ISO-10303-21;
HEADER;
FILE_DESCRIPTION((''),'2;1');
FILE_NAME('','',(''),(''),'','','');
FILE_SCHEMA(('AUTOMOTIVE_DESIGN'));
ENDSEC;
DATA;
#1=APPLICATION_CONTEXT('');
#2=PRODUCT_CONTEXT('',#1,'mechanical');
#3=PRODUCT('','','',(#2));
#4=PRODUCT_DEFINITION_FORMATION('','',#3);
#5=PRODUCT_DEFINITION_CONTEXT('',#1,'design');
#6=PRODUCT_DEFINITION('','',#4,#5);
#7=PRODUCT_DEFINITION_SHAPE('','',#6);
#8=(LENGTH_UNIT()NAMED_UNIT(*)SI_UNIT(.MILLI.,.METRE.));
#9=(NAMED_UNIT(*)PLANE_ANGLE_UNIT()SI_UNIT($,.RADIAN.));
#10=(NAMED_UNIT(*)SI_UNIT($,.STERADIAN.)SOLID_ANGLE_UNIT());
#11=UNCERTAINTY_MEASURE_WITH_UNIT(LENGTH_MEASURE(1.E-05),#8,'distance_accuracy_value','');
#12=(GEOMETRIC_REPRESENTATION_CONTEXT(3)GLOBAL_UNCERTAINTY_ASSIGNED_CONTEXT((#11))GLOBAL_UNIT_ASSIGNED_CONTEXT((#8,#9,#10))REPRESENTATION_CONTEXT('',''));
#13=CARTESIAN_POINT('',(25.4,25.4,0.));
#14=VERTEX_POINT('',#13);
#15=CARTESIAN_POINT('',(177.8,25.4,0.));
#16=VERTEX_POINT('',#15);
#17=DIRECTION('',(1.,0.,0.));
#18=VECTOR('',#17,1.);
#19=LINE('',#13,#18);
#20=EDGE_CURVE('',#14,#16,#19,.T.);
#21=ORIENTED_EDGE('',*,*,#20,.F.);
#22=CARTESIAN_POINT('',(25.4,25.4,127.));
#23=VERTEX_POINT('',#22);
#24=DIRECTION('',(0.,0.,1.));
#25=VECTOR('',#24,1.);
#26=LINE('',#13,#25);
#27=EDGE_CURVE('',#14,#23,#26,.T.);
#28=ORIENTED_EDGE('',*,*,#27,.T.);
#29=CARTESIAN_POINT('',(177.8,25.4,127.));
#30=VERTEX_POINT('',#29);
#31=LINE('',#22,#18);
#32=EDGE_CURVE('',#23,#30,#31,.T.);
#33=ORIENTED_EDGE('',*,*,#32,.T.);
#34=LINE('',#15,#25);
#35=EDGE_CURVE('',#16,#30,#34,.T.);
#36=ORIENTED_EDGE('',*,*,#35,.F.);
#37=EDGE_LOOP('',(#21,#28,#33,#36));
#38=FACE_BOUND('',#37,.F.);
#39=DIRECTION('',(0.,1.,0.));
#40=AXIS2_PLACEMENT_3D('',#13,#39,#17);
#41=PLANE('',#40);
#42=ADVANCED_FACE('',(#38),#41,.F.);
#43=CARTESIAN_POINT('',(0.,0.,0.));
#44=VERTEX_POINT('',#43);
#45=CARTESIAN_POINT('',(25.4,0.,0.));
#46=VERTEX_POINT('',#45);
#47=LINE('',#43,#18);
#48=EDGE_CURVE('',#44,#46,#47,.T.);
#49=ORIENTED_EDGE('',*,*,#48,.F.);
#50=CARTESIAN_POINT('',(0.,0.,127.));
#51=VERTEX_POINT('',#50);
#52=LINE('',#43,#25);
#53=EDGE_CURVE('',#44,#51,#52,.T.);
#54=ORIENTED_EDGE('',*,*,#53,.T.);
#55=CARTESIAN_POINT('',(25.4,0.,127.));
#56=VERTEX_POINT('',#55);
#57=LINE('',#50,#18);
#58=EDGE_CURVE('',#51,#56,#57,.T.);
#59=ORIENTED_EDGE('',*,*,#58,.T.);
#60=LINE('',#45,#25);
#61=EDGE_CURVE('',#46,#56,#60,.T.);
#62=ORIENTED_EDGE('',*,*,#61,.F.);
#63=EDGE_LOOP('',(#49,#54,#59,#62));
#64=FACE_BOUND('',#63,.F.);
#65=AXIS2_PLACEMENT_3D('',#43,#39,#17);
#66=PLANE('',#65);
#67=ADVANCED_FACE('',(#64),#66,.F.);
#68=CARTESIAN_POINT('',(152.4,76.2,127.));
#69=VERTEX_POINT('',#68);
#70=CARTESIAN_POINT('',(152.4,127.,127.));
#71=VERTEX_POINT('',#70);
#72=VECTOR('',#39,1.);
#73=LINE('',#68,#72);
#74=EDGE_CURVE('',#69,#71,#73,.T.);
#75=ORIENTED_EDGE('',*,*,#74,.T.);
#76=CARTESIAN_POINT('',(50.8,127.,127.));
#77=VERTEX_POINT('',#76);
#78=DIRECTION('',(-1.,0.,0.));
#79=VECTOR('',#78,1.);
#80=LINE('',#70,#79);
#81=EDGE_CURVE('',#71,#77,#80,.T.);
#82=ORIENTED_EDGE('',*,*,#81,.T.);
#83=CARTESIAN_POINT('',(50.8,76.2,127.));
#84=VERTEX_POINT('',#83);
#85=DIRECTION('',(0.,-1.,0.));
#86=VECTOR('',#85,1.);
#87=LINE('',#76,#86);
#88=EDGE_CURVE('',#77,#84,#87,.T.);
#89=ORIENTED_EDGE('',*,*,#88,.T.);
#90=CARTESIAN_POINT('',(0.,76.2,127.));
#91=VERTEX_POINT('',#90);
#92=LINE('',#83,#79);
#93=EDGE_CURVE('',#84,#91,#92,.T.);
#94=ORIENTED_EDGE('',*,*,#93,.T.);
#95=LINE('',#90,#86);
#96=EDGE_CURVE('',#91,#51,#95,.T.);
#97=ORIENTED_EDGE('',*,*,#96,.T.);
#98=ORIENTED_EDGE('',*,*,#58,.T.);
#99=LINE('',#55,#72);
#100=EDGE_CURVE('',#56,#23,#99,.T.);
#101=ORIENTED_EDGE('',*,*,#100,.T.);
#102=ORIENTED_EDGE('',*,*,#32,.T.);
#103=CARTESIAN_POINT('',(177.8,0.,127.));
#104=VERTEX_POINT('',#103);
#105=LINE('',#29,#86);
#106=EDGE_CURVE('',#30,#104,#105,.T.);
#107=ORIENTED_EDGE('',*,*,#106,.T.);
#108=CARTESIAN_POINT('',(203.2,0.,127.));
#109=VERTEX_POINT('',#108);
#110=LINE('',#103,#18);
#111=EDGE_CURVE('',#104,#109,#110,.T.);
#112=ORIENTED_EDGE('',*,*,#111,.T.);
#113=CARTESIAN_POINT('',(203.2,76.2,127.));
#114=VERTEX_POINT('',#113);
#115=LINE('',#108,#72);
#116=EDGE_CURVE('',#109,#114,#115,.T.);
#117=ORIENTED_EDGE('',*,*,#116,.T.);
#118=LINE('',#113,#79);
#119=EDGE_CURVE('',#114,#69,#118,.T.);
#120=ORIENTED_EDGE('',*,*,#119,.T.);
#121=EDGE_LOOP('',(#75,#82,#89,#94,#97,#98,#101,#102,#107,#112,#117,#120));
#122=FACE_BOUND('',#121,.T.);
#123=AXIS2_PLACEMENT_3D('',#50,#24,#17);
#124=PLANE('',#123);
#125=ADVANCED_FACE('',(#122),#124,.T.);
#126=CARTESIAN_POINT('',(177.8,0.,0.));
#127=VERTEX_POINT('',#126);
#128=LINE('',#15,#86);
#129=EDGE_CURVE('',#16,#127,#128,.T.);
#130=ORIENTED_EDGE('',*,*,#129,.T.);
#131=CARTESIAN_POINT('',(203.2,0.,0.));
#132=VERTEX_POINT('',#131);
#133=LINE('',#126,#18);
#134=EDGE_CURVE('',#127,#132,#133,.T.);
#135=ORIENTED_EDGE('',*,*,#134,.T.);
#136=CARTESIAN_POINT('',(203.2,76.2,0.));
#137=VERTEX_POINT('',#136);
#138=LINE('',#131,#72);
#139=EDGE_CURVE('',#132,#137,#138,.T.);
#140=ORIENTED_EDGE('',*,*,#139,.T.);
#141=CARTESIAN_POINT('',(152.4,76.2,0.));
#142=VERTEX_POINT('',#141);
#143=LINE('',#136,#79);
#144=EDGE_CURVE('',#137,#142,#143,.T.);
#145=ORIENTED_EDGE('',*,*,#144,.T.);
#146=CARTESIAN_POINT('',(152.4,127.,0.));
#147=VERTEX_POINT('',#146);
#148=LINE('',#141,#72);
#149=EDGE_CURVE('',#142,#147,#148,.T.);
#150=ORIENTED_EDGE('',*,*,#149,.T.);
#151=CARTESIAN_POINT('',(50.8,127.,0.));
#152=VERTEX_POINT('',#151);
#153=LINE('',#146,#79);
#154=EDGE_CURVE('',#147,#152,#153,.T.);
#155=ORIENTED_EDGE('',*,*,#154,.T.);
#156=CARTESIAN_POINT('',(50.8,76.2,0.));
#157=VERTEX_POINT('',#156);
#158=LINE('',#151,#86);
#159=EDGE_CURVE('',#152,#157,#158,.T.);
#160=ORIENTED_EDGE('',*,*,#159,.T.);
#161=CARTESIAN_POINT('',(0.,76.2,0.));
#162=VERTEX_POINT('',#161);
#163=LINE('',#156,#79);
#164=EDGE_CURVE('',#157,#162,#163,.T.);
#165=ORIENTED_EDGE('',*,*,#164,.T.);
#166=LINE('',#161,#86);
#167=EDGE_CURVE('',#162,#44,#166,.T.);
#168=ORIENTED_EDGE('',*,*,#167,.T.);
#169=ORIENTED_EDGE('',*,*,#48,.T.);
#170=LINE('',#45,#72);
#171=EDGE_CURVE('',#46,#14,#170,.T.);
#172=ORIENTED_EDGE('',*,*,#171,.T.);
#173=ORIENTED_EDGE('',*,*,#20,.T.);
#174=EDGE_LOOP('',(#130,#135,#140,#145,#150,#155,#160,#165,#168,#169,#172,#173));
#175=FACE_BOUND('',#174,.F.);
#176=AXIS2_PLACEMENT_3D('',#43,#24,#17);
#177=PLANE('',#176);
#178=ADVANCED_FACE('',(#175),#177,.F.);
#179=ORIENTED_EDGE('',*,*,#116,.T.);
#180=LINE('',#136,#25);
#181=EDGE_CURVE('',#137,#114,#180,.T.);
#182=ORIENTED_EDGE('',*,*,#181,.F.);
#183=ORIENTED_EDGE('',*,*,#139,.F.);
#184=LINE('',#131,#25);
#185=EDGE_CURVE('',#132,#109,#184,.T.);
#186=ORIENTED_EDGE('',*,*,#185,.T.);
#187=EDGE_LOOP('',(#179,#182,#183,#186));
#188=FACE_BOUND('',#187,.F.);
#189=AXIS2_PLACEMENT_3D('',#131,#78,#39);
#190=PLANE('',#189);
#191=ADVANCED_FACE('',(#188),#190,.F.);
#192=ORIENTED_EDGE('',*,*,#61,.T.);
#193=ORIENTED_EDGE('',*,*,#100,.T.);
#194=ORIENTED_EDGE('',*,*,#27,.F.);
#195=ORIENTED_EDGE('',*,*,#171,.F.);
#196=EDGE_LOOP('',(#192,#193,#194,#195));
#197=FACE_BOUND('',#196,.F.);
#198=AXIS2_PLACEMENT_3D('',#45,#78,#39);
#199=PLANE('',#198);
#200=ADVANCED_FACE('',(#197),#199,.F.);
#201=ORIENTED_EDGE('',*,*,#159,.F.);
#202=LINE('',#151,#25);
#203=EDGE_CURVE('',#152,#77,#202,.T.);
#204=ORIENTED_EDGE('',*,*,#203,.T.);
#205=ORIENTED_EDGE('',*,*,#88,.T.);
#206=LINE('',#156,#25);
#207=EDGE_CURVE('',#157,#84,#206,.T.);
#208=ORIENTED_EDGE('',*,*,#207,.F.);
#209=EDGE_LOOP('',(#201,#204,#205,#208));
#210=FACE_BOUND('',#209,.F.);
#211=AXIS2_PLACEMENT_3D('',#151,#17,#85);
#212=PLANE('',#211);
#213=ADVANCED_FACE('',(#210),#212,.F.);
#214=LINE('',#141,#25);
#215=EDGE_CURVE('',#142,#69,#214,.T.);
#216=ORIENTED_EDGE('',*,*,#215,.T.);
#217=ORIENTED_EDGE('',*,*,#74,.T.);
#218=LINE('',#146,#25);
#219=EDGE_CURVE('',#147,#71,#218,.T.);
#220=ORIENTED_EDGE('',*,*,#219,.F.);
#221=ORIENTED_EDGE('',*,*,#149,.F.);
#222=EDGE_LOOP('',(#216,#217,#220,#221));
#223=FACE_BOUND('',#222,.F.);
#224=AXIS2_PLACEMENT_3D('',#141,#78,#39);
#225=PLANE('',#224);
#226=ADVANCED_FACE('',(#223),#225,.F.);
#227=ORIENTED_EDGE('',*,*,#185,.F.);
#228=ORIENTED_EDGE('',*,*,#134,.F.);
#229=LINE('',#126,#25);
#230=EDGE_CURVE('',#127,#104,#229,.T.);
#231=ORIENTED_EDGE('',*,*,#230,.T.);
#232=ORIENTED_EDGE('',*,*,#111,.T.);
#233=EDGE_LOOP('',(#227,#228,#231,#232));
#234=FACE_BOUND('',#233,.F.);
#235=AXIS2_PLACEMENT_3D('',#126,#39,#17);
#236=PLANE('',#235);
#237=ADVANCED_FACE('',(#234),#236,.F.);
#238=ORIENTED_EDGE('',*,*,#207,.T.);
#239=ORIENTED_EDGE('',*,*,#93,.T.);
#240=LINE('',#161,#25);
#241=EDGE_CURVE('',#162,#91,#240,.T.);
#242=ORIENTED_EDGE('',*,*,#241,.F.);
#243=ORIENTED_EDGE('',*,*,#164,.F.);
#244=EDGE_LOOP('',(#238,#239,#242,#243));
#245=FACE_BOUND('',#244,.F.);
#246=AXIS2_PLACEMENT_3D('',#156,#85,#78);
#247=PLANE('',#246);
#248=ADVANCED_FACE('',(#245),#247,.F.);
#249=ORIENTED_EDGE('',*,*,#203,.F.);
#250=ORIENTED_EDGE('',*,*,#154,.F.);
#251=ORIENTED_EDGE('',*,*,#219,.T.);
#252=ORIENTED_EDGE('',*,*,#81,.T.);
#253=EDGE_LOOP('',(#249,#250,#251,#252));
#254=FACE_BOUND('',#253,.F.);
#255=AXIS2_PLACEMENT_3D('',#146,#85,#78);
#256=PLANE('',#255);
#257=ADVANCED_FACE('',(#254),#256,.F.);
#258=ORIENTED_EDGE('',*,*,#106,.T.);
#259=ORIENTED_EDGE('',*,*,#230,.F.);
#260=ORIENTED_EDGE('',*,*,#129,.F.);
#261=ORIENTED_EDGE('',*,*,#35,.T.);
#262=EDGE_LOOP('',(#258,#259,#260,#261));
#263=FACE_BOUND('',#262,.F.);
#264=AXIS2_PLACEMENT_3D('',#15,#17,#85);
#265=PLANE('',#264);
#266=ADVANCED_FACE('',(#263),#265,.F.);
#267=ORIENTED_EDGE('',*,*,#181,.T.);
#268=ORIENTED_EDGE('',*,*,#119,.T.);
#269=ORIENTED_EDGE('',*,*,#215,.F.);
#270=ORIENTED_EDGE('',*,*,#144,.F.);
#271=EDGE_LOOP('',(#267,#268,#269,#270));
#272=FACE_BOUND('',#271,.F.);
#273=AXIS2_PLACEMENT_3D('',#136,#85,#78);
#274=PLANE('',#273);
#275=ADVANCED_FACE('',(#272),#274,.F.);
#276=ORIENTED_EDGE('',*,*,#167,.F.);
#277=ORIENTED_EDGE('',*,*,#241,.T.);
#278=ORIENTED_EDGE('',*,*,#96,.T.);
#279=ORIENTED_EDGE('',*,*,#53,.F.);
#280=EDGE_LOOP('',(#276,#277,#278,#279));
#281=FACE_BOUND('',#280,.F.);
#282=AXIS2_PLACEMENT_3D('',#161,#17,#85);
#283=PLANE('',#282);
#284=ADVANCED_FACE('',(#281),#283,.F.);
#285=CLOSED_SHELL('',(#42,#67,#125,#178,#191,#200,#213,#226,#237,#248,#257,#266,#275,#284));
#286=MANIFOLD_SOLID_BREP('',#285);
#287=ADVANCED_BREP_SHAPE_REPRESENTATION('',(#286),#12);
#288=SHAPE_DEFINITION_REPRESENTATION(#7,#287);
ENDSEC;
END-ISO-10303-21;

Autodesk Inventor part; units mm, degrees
ref_plane "YZ Plane" through (0, 0, 0) normal (1, 0, 0) x (0, 1, 0)
ref_plane "XZ Plane" through (0, 0, 0) normal (0, 1, 0) x (-1, 0, 0)
ref_plane "XY Plane" through (0, 0, 0) normal (0, 0, 1) x (1, 0, 0)
sketch "Sketch2" plane through (0, 0, 0) normal (0, 0, 1) x (1, 0, 0)
  line L0 (0, 0) -> (25.4, 0)
  line L1 (25.4, 0) -> (25.4, 25.4)
  line L2 (25.4, 25.4) -> (177.8, 25.4)
  line L3 (177.8, 25.4) -> (177.8, 0)
  line L4 (177.8, 0) -> (203.2, 0)
  line L5 (203.2, 0) -> (203.2, 76.2)
  line L6 (203.2, 76.2) -> (152.4, 76.2)
  line L7 (152.4, 76.2) -> (152.4, 127)
  line L8 (152.4, 127) -> (50.8, 127)
  line L9 (50.8, 127) -> (50.8, 76.2)
  line L10 (50.8, 76.2) -> (0, 76.2)
  line L11 (0, 76.2) -> (0, 0)
  dimension "d1" = 25.4
  dimension "d2" = 25.4
  dimension "d3" = 152.4
  dimension "d4" = 25.4
  dimension "d5" = 25.4
  dimension "d6" = 76.2
  dimension "d7" = 50.8
  dimension "d8" = 50.8
  dimension "d9" = 101.6
  dimension "d10" = 50.8
extrude "Extrusion1" add sketch "Sketch2" along normal blind 127
properties part number "10-18-19 B"
